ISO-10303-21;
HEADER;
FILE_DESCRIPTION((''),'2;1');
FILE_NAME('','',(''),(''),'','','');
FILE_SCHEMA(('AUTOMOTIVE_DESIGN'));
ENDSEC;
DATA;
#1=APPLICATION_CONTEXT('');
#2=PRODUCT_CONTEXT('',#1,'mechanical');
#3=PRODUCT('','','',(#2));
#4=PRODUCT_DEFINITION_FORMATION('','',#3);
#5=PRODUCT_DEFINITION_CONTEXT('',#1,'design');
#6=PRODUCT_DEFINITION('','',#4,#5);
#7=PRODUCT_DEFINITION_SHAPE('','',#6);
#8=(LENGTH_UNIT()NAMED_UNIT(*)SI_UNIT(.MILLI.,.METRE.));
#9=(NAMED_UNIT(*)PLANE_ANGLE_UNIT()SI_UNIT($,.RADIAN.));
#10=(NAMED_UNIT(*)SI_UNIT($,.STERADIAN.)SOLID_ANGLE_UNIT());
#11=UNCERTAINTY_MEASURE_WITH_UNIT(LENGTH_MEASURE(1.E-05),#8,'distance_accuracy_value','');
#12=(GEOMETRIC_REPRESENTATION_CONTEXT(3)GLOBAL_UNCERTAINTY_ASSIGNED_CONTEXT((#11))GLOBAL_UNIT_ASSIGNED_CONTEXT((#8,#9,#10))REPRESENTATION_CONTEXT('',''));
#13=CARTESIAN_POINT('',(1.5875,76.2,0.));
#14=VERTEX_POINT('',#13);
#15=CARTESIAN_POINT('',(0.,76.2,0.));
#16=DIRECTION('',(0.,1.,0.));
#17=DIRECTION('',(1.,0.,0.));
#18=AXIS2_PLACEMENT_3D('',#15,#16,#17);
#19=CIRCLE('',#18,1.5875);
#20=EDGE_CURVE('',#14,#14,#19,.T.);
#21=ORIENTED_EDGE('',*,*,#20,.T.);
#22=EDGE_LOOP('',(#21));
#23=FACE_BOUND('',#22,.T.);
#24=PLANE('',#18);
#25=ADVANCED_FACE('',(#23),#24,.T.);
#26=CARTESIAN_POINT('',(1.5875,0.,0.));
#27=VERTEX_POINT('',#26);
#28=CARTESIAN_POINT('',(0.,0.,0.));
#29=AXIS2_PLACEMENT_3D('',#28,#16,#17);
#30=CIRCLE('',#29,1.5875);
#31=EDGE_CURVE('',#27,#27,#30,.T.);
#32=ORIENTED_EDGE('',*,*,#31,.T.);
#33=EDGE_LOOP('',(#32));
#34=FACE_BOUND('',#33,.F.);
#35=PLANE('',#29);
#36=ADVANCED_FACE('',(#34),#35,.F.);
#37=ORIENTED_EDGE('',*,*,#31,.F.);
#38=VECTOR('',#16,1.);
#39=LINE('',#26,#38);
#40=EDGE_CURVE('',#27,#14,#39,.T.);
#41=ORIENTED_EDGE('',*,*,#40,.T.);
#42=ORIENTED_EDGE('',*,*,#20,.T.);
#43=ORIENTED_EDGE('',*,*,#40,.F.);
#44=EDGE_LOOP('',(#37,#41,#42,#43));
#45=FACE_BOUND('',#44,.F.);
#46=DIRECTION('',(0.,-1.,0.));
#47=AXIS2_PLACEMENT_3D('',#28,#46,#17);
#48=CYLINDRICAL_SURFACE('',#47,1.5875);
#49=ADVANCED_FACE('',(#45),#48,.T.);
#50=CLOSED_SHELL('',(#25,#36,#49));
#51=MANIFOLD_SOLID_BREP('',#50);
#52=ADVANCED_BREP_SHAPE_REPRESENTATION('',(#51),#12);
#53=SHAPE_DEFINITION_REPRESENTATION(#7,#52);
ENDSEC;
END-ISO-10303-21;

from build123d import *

# Parameters (mm, degrees)
SKETCH1_R           = 1.5875
BOSS_EXTRUDE1_DEPTH = 76.2


with BuildPart() as part:
    # Sketch1 → Boss-Extrude1 (new body)
    with BuildSketch(Plane(origin=(0, 0, 0), x_dir=(1, 0, 0), z_dir=(0, 1, 0))):
        Circle(SKETCH1_R)
    extrude(amount=BOSS_EXTRUDE1_DEPTH)


solid = part.part
